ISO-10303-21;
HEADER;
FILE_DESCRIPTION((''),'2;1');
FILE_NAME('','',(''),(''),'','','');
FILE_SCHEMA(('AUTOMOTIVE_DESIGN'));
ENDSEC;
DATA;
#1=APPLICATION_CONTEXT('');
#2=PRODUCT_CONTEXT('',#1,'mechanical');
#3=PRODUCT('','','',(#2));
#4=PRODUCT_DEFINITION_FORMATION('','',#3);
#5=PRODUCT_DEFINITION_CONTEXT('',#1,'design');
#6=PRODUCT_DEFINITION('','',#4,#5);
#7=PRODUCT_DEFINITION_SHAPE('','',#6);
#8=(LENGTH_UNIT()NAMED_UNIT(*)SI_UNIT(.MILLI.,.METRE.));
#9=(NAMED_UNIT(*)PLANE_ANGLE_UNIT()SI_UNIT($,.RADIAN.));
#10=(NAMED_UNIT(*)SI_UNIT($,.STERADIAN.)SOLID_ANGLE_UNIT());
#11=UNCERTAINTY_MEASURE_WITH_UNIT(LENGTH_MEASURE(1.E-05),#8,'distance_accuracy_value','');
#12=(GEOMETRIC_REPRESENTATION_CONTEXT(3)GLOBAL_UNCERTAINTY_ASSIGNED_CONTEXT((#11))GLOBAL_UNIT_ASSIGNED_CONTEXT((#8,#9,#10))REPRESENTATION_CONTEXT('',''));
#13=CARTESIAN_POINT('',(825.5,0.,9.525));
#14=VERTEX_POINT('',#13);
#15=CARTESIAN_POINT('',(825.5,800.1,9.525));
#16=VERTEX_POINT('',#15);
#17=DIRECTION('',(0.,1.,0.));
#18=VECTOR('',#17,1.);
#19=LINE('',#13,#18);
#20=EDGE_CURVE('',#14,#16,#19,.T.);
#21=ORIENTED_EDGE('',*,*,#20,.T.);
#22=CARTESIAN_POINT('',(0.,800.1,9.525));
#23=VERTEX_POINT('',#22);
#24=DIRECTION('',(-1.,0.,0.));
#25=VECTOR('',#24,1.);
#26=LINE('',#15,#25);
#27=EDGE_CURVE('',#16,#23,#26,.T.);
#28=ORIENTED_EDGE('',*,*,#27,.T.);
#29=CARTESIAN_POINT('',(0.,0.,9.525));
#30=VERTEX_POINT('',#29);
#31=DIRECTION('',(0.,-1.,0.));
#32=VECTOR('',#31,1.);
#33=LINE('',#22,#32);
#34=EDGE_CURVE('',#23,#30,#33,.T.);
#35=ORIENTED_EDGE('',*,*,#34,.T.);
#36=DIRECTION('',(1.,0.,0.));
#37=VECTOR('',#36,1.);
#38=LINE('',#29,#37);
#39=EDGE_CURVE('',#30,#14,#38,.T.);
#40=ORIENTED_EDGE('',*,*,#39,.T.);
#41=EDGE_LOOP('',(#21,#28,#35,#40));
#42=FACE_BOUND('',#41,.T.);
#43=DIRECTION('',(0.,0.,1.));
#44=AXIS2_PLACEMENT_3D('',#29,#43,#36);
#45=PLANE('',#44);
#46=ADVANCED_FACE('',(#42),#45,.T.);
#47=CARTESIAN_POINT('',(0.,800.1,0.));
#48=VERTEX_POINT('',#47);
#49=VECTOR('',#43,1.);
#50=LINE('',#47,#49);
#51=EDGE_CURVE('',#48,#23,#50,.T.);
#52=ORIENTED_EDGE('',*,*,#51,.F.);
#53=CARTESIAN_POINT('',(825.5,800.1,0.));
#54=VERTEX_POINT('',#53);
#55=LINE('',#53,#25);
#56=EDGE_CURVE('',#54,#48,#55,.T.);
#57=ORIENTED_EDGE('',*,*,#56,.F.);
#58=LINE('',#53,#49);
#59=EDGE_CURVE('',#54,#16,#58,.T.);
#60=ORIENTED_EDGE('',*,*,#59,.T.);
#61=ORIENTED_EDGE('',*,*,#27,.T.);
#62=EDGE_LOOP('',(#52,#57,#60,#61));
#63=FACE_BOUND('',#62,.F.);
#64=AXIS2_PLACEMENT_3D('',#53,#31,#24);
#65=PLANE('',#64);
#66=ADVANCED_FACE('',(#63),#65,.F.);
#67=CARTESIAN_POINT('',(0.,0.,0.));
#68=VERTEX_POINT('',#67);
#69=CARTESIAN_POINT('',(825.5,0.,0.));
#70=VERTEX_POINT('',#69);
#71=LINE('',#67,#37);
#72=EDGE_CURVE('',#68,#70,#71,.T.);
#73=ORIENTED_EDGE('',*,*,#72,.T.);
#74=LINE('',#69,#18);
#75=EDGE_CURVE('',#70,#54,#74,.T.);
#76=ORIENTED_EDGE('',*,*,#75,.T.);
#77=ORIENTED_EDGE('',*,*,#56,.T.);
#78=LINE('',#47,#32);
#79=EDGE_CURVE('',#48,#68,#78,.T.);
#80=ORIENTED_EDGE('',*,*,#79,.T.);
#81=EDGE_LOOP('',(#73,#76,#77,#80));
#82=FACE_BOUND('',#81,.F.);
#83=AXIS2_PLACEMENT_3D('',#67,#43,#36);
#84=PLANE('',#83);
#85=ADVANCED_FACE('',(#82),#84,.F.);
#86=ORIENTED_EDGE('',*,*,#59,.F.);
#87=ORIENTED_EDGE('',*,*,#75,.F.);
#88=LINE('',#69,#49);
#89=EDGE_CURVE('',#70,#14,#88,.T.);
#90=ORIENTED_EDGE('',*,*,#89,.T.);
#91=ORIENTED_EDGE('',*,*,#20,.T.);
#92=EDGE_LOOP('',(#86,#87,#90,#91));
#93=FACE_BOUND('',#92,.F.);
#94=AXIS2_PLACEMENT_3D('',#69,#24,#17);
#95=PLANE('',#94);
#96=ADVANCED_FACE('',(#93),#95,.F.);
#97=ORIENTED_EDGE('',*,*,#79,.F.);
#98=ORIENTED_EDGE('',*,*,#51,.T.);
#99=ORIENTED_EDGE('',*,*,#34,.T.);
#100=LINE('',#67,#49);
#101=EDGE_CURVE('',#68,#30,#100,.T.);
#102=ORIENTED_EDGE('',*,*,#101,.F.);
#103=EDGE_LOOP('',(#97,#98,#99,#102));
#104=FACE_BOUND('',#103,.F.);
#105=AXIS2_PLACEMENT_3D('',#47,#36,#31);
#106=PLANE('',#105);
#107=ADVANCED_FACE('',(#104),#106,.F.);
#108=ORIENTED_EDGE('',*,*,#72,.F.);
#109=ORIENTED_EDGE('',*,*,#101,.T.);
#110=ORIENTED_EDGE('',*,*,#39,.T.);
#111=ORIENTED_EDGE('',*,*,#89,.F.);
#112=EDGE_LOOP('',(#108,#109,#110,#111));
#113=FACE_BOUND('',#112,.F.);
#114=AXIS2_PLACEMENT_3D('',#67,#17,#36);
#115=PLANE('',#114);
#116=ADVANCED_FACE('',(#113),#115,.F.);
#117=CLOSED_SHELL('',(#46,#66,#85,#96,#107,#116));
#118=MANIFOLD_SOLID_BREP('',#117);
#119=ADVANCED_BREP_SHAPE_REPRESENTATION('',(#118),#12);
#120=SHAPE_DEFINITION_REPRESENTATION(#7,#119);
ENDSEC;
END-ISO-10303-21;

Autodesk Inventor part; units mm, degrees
ref_plane "YZ Plane" through (0, 0, 0) normal (1, 0, 0) x (0, 1, 0)
ref_plane "XZ Plane" through (0, 0, 0) normal (0, 1, 0) x (-1, 0, 0)
ref_plane "XY Plane" through (0, 0, 0) normal (0, 0, 1) x (1, 0, 0)
sketch "Sketch2" plane through (0, 0, 0) normal (0, 0, 1) x (1, 0, 0)
  line L0 (0, 0) -> (825.5, 0)
  line L1 (825.5, 0) -> (825.5, 800.1)
  line L2 (825.5, 800.1) -> (0, 800.1)
  line L3 (0, 800.1) -> (0, 0)
  dimension "d0" = 825.5
  dimension "d1" = 800.1
extrude "Extrusion1" add sketch "Sketch2" along normal blind 9.525
properties part number "door glass" material "Glass"
